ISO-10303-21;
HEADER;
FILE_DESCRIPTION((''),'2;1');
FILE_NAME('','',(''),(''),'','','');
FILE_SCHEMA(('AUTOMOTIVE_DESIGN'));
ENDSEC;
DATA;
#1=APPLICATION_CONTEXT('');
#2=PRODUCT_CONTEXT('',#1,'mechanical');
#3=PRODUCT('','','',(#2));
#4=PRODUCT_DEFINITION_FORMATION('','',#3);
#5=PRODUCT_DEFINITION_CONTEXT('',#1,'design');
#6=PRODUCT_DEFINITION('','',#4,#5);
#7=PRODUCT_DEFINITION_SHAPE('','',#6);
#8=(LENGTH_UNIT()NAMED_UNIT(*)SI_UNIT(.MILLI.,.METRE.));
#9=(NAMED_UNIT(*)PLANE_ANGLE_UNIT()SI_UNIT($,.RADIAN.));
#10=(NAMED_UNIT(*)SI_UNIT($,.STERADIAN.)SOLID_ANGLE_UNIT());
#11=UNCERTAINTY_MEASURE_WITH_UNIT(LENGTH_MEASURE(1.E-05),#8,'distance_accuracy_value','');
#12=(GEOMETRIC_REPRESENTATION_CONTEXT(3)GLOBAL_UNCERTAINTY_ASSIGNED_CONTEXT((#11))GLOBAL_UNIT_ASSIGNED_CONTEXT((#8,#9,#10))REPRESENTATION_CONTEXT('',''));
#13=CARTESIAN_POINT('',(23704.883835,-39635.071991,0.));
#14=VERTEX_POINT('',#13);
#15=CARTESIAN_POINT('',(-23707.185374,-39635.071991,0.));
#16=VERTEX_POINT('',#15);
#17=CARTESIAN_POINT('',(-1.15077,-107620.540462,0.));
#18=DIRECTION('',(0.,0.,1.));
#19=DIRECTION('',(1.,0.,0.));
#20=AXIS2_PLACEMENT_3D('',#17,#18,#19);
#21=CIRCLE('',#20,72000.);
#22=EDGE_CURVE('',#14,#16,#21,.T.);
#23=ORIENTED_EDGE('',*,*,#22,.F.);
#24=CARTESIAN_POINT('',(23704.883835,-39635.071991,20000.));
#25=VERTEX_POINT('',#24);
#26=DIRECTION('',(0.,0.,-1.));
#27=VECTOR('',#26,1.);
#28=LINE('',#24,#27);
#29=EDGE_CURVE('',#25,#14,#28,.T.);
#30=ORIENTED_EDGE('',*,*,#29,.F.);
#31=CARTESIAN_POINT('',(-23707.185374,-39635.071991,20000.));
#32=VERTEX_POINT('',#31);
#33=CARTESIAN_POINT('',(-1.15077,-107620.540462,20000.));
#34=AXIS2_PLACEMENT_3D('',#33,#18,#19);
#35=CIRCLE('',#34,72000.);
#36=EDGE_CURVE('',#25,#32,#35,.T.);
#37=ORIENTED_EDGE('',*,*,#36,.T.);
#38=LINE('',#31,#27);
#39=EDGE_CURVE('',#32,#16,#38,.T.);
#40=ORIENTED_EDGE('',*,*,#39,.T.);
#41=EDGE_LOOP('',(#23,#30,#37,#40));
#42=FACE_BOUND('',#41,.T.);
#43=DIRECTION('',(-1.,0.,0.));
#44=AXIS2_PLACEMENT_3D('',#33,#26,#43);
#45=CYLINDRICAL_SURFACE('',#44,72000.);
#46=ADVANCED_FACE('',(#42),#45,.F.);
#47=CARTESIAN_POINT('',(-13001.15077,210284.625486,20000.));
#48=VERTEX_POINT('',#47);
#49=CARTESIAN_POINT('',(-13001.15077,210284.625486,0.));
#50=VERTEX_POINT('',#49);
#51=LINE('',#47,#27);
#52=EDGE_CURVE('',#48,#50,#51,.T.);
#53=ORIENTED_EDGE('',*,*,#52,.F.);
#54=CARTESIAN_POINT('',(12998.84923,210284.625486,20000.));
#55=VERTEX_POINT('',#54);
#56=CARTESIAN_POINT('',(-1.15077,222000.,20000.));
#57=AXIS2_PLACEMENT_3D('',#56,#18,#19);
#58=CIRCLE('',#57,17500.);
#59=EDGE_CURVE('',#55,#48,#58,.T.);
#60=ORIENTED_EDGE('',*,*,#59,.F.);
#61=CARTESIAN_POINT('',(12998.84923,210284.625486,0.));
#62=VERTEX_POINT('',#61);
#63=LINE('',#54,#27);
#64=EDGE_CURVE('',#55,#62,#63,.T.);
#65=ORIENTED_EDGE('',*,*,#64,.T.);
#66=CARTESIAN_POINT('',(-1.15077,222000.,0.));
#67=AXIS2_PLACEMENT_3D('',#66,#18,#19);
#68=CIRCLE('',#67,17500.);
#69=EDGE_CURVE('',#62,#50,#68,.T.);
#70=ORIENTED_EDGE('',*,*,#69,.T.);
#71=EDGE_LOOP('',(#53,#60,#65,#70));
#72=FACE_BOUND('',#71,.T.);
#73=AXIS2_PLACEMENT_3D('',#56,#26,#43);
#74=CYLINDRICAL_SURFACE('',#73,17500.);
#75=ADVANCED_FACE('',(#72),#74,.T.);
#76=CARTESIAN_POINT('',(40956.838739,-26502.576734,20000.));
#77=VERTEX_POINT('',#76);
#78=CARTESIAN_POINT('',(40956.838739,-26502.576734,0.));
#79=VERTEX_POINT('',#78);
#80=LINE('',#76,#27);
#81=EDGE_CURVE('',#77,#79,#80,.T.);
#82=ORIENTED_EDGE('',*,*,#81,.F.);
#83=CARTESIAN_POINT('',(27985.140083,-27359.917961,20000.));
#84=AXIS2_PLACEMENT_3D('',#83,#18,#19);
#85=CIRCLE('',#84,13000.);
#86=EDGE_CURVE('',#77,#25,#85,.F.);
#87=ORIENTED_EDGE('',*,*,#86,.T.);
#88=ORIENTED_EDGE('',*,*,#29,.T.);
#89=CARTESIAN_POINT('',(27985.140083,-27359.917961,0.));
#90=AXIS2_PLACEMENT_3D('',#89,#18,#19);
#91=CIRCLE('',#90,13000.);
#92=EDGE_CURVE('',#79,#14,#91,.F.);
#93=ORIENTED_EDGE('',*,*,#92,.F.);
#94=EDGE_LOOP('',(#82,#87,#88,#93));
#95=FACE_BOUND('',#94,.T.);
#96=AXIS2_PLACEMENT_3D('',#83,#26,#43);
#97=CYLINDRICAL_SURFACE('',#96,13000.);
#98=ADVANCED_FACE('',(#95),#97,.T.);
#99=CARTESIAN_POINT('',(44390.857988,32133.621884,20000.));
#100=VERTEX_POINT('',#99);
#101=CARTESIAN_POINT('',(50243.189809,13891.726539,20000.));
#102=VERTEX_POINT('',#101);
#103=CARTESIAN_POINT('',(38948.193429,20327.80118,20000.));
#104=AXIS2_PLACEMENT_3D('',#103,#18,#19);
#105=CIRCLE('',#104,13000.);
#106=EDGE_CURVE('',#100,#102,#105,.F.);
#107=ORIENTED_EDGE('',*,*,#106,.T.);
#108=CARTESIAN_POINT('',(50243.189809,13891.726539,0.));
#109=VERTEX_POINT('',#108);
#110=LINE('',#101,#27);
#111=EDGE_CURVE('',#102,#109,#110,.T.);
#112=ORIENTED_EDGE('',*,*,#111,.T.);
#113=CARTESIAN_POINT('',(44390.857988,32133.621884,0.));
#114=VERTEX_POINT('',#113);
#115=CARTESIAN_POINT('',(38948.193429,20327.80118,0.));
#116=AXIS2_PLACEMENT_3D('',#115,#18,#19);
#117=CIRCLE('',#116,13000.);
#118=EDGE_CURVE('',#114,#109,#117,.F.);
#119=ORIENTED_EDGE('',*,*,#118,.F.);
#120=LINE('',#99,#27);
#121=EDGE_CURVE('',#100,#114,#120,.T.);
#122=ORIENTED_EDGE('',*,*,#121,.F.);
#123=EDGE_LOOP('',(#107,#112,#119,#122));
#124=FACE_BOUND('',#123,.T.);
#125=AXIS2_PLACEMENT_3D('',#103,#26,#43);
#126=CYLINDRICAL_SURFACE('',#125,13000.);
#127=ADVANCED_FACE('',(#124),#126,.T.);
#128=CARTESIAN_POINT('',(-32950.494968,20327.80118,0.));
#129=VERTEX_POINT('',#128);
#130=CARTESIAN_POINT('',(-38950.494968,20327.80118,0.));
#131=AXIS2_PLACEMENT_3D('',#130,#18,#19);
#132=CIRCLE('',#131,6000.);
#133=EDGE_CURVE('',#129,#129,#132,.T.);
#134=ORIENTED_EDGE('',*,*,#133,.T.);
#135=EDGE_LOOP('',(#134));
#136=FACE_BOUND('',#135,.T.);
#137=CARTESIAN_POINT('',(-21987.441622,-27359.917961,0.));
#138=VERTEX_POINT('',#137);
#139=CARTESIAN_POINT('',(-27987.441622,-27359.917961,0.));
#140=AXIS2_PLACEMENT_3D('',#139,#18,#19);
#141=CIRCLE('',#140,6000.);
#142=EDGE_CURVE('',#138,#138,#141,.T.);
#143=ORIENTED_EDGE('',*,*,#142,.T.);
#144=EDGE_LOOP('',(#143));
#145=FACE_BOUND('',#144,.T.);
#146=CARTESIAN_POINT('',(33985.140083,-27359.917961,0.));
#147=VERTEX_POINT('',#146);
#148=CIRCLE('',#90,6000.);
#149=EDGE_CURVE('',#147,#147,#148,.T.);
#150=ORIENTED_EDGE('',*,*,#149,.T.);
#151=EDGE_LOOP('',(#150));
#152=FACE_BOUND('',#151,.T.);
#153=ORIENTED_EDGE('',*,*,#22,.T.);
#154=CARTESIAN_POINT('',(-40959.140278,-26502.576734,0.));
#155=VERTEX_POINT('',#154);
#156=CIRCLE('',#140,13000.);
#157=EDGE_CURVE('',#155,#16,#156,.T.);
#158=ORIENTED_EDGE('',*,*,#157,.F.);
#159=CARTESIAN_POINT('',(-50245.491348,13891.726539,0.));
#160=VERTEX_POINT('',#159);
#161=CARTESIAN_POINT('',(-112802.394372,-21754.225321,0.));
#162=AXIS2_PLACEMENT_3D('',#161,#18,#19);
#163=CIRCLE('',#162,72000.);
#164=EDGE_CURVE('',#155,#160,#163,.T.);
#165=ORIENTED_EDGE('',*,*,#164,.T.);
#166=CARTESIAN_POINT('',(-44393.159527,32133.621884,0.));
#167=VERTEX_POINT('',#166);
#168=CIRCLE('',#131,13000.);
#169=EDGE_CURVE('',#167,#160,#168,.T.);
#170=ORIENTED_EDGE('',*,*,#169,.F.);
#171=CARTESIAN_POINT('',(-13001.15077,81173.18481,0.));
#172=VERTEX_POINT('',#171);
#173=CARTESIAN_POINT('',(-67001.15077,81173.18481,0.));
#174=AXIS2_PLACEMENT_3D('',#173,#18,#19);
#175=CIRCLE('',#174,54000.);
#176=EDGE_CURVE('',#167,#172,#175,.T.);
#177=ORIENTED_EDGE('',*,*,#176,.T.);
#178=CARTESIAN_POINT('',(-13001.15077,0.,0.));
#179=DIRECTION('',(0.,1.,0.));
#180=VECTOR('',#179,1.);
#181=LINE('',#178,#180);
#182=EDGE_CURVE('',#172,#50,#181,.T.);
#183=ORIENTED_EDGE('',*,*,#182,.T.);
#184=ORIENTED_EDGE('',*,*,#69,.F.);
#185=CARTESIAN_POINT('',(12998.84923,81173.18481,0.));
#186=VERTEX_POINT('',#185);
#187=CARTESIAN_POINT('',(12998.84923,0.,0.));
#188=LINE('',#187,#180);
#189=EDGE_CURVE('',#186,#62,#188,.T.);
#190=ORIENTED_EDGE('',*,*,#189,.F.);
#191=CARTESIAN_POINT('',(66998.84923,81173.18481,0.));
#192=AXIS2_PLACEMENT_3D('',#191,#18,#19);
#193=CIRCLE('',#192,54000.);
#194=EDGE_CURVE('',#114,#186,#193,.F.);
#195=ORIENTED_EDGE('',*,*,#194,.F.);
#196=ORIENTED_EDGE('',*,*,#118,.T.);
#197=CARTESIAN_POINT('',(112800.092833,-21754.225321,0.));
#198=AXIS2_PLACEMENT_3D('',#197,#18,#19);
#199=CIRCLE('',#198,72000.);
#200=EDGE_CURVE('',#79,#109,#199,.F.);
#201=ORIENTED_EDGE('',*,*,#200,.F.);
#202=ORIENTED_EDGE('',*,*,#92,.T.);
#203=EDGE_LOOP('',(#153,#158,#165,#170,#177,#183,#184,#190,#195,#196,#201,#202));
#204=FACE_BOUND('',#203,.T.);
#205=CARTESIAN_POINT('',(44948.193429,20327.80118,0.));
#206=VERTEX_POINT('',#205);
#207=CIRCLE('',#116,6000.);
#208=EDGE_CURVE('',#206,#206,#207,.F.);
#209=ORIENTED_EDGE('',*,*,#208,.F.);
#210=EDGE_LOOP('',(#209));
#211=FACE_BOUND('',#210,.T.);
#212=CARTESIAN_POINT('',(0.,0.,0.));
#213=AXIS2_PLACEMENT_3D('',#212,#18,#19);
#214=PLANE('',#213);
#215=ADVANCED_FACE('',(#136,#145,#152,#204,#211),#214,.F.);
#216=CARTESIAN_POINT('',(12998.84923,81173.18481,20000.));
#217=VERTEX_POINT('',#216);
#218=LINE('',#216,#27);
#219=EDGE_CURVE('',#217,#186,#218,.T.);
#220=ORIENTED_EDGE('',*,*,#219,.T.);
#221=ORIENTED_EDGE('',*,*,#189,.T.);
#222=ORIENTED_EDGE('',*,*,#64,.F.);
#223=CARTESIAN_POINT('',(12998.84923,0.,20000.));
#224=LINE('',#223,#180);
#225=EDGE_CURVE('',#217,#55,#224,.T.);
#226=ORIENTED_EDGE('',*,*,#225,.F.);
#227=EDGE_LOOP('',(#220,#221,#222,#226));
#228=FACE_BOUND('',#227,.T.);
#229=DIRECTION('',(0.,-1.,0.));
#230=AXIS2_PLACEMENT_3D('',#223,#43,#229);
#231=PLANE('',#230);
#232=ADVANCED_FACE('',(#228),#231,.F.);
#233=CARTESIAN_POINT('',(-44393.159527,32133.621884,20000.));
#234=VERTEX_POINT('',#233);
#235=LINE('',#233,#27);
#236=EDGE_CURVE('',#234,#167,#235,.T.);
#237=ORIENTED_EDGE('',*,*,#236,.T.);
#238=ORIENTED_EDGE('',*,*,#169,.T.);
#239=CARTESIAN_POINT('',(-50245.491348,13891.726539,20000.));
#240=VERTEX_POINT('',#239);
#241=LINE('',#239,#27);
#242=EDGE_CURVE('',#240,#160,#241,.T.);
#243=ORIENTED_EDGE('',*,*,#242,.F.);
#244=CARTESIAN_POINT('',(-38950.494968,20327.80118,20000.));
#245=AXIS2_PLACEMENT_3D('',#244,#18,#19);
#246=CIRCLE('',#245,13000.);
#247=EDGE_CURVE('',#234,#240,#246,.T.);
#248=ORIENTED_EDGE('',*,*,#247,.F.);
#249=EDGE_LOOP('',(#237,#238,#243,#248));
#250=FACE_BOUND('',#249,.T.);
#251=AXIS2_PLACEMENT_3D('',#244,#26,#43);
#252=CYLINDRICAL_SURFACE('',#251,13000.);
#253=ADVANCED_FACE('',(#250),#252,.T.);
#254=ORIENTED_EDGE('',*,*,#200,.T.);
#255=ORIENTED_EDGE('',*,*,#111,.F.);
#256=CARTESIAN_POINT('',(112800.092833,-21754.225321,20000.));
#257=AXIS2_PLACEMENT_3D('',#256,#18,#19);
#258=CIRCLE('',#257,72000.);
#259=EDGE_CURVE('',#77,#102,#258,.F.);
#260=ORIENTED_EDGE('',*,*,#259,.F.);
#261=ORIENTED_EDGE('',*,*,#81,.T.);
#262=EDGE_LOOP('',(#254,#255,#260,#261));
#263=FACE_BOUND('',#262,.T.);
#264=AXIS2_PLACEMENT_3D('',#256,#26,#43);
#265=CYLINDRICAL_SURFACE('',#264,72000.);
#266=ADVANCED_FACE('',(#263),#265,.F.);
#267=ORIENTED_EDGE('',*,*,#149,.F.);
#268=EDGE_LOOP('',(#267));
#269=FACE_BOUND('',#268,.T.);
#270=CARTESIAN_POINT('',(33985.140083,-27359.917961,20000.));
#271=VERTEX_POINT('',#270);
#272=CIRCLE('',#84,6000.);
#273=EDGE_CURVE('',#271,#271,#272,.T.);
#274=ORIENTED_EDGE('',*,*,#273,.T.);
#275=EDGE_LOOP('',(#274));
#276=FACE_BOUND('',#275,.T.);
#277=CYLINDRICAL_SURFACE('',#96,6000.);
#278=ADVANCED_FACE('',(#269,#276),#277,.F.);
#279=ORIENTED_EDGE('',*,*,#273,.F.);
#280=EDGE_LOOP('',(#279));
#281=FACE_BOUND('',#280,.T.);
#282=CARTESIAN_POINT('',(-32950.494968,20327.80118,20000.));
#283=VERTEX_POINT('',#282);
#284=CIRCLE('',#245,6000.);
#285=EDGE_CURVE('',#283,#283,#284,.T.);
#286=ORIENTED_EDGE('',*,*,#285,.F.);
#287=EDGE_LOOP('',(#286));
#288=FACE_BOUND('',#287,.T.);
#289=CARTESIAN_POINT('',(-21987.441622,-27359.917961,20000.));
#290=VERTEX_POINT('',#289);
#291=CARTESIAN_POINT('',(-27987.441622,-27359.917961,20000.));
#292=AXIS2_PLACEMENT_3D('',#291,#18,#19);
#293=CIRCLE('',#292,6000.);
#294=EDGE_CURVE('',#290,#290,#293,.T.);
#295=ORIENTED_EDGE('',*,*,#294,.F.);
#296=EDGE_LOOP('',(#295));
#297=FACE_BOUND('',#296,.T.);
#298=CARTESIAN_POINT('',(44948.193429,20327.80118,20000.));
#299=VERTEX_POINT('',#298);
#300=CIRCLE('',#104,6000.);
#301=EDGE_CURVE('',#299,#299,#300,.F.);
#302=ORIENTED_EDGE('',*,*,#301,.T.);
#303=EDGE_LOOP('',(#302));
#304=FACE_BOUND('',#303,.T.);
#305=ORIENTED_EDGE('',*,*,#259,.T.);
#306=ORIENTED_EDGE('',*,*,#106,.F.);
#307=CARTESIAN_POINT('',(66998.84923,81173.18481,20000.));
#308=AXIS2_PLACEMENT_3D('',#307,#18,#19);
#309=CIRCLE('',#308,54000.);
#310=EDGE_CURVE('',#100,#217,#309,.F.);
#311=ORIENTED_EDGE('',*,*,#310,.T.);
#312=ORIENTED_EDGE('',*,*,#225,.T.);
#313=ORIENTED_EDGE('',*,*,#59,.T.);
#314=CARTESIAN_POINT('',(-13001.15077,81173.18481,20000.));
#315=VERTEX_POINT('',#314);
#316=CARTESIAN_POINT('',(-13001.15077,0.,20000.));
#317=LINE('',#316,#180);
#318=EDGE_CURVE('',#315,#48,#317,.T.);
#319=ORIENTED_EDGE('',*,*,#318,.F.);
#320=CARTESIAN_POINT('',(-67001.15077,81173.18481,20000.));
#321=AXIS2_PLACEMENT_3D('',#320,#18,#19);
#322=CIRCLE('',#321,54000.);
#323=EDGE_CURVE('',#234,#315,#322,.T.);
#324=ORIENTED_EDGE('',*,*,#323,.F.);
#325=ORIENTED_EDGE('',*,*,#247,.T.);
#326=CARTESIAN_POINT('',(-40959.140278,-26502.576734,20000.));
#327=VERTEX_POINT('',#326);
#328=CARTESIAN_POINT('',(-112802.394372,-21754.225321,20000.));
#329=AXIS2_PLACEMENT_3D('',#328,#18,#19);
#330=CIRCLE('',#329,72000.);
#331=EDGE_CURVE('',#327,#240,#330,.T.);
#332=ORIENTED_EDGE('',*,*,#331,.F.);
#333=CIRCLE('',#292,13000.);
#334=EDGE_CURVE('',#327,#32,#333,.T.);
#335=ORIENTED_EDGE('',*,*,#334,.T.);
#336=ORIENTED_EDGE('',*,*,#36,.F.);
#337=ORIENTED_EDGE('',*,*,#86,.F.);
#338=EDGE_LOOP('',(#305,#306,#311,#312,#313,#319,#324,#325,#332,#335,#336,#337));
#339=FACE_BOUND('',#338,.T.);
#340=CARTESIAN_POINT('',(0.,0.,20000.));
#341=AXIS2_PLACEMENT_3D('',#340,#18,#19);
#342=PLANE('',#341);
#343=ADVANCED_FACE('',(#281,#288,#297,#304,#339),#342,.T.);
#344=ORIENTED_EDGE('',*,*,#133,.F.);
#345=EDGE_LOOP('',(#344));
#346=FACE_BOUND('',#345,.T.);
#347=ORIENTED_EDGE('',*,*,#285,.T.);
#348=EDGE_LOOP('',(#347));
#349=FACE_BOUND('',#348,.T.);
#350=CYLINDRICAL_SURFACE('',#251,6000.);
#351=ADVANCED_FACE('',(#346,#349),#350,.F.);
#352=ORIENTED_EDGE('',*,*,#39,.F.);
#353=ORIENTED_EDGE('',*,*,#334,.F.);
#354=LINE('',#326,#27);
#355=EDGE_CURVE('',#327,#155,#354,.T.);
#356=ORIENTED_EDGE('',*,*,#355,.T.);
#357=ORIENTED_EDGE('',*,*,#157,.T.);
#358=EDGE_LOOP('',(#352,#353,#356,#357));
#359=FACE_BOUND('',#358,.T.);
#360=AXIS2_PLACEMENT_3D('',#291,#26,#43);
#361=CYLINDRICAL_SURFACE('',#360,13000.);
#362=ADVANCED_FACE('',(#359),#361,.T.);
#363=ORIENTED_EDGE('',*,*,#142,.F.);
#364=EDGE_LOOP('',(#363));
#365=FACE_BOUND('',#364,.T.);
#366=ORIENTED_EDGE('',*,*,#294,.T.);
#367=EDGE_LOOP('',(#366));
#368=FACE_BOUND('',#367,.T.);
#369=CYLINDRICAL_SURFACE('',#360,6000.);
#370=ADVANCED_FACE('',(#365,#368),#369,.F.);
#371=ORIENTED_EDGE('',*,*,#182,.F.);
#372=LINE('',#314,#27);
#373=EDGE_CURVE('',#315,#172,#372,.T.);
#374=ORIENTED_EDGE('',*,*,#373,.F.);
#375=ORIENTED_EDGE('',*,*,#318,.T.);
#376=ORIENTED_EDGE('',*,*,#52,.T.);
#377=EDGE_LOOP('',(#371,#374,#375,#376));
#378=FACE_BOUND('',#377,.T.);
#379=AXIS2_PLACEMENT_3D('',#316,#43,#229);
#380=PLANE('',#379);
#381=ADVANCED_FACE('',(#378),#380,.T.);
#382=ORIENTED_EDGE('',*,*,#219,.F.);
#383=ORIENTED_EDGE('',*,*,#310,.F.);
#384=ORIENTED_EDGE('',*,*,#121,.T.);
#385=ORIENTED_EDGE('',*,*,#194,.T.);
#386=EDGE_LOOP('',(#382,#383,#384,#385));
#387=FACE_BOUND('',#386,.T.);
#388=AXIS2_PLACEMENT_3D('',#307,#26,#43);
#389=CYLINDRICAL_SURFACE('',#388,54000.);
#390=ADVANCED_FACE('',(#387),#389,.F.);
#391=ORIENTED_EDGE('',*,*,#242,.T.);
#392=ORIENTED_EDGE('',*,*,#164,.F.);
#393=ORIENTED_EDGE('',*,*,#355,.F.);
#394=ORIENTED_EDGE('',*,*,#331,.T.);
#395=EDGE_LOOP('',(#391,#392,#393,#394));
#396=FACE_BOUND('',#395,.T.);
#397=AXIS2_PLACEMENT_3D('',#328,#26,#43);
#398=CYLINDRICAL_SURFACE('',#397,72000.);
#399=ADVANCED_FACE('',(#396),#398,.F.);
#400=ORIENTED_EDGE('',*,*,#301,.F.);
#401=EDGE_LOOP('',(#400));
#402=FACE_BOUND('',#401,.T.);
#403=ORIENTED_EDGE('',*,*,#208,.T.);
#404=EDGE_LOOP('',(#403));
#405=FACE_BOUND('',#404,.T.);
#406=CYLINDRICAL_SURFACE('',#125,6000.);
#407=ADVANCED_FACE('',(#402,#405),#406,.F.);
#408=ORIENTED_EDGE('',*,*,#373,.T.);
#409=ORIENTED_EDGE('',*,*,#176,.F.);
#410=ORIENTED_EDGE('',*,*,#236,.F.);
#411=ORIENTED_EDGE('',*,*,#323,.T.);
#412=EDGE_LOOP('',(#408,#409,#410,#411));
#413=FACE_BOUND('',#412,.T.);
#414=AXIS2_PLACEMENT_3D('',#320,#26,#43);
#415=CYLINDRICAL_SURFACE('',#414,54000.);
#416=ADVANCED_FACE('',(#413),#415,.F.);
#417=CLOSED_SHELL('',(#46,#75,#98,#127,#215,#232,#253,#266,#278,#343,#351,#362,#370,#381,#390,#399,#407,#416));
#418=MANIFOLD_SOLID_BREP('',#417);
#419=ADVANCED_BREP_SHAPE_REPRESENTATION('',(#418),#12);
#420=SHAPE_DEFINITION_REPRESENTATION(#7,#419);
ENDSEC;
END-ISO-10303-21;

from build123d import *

# Parameters (mm, degrees)
SKETCH1_R           = 6000
BOSS_EXTRUDE2_DEPTH = 20000


with BuildPart() as part:
    # Sketch1 → Boss-Extrude2 (new body)
    with BuildSketch(Plane.XY):
        with BuildLine():
            ThreePointArc((44390.857987613, 32133.621884428), (21519.010141486, 52059.884818003), (12998.849230427, 81173.184810343))
            Line((12998.849230427, 81173.184810343), (12998.849230427, 210284.62548614))
            ThreePointArc((12998.849230427, 210284.62548614), (-1.150769573, 239500), (-13001.150769573, 210284.62548614))
            Line((-13001.150769573, 210284.62548614), (-13001.150769573, 81173.184810343))
            ThreePointArc((-13001.150769573, 81173.184810343), (-21521.311680632, 52059.884818003), (-44393.159526759, 32133.621884428))
            ThreePointArc((-44393.159526759, 32133.621884428), (-51329.065558996, 24299.0717741), (-50245.491347745, 13891.726538739))
            ThreePointArc((-50245.491347745, 13891.726538739), (-42632.774930501, -5622.749647829), (-40959.140278036, -26502.576733693))
            ThreePointArc((-40959.140278036, -26502.576733693), (-35861.506690488, -37703.954856701), (-23707.185374082, -39635.071990656))
            ThreePointArc((-23707.185374082, -39635.071990656), (-1.150769573, -35620.540462453), (23704.883834937, -39635.071990656))
            ThreePointArc((23704.883834937, -39635.071990656), (35859.205151343, -37703.954856701), (40956.83873889, -26502.576733693))
            ThreePointArc((40956.83873889, -26502.576733693), (42630.473391356, -5622.749647829), (50243.1898086, 13891.726538739))
            ThreePointArc((50243.1898086, 13891.726538739), (51326.764019851, 24299.0717741), (44390.857987613, 32133.621884428))
        make_face()
        with Locations((-27987.441622119, -27359.917961025)):
            Circle(SKETCH1_R, mode=Mode.SUBTRACT)
        with Locations((-38950.494968304, 20327.80118004)):
            Circle(SKETCH1_R, mode=Mode.SUBTRACT)
        with Locations((27985.140082973, -27359.917961025)):
            Circle(SKETCH1_R, mode=Mode.SUBTRACT)
        with Locations((38948.193429158, 20327.80118004)):
            Circle(SKETCH1_R, mode=Mode.SUBTRACT)
    extrude(amount=BOSS_EXTRUDE2_DEPTH)


solid = part.part
